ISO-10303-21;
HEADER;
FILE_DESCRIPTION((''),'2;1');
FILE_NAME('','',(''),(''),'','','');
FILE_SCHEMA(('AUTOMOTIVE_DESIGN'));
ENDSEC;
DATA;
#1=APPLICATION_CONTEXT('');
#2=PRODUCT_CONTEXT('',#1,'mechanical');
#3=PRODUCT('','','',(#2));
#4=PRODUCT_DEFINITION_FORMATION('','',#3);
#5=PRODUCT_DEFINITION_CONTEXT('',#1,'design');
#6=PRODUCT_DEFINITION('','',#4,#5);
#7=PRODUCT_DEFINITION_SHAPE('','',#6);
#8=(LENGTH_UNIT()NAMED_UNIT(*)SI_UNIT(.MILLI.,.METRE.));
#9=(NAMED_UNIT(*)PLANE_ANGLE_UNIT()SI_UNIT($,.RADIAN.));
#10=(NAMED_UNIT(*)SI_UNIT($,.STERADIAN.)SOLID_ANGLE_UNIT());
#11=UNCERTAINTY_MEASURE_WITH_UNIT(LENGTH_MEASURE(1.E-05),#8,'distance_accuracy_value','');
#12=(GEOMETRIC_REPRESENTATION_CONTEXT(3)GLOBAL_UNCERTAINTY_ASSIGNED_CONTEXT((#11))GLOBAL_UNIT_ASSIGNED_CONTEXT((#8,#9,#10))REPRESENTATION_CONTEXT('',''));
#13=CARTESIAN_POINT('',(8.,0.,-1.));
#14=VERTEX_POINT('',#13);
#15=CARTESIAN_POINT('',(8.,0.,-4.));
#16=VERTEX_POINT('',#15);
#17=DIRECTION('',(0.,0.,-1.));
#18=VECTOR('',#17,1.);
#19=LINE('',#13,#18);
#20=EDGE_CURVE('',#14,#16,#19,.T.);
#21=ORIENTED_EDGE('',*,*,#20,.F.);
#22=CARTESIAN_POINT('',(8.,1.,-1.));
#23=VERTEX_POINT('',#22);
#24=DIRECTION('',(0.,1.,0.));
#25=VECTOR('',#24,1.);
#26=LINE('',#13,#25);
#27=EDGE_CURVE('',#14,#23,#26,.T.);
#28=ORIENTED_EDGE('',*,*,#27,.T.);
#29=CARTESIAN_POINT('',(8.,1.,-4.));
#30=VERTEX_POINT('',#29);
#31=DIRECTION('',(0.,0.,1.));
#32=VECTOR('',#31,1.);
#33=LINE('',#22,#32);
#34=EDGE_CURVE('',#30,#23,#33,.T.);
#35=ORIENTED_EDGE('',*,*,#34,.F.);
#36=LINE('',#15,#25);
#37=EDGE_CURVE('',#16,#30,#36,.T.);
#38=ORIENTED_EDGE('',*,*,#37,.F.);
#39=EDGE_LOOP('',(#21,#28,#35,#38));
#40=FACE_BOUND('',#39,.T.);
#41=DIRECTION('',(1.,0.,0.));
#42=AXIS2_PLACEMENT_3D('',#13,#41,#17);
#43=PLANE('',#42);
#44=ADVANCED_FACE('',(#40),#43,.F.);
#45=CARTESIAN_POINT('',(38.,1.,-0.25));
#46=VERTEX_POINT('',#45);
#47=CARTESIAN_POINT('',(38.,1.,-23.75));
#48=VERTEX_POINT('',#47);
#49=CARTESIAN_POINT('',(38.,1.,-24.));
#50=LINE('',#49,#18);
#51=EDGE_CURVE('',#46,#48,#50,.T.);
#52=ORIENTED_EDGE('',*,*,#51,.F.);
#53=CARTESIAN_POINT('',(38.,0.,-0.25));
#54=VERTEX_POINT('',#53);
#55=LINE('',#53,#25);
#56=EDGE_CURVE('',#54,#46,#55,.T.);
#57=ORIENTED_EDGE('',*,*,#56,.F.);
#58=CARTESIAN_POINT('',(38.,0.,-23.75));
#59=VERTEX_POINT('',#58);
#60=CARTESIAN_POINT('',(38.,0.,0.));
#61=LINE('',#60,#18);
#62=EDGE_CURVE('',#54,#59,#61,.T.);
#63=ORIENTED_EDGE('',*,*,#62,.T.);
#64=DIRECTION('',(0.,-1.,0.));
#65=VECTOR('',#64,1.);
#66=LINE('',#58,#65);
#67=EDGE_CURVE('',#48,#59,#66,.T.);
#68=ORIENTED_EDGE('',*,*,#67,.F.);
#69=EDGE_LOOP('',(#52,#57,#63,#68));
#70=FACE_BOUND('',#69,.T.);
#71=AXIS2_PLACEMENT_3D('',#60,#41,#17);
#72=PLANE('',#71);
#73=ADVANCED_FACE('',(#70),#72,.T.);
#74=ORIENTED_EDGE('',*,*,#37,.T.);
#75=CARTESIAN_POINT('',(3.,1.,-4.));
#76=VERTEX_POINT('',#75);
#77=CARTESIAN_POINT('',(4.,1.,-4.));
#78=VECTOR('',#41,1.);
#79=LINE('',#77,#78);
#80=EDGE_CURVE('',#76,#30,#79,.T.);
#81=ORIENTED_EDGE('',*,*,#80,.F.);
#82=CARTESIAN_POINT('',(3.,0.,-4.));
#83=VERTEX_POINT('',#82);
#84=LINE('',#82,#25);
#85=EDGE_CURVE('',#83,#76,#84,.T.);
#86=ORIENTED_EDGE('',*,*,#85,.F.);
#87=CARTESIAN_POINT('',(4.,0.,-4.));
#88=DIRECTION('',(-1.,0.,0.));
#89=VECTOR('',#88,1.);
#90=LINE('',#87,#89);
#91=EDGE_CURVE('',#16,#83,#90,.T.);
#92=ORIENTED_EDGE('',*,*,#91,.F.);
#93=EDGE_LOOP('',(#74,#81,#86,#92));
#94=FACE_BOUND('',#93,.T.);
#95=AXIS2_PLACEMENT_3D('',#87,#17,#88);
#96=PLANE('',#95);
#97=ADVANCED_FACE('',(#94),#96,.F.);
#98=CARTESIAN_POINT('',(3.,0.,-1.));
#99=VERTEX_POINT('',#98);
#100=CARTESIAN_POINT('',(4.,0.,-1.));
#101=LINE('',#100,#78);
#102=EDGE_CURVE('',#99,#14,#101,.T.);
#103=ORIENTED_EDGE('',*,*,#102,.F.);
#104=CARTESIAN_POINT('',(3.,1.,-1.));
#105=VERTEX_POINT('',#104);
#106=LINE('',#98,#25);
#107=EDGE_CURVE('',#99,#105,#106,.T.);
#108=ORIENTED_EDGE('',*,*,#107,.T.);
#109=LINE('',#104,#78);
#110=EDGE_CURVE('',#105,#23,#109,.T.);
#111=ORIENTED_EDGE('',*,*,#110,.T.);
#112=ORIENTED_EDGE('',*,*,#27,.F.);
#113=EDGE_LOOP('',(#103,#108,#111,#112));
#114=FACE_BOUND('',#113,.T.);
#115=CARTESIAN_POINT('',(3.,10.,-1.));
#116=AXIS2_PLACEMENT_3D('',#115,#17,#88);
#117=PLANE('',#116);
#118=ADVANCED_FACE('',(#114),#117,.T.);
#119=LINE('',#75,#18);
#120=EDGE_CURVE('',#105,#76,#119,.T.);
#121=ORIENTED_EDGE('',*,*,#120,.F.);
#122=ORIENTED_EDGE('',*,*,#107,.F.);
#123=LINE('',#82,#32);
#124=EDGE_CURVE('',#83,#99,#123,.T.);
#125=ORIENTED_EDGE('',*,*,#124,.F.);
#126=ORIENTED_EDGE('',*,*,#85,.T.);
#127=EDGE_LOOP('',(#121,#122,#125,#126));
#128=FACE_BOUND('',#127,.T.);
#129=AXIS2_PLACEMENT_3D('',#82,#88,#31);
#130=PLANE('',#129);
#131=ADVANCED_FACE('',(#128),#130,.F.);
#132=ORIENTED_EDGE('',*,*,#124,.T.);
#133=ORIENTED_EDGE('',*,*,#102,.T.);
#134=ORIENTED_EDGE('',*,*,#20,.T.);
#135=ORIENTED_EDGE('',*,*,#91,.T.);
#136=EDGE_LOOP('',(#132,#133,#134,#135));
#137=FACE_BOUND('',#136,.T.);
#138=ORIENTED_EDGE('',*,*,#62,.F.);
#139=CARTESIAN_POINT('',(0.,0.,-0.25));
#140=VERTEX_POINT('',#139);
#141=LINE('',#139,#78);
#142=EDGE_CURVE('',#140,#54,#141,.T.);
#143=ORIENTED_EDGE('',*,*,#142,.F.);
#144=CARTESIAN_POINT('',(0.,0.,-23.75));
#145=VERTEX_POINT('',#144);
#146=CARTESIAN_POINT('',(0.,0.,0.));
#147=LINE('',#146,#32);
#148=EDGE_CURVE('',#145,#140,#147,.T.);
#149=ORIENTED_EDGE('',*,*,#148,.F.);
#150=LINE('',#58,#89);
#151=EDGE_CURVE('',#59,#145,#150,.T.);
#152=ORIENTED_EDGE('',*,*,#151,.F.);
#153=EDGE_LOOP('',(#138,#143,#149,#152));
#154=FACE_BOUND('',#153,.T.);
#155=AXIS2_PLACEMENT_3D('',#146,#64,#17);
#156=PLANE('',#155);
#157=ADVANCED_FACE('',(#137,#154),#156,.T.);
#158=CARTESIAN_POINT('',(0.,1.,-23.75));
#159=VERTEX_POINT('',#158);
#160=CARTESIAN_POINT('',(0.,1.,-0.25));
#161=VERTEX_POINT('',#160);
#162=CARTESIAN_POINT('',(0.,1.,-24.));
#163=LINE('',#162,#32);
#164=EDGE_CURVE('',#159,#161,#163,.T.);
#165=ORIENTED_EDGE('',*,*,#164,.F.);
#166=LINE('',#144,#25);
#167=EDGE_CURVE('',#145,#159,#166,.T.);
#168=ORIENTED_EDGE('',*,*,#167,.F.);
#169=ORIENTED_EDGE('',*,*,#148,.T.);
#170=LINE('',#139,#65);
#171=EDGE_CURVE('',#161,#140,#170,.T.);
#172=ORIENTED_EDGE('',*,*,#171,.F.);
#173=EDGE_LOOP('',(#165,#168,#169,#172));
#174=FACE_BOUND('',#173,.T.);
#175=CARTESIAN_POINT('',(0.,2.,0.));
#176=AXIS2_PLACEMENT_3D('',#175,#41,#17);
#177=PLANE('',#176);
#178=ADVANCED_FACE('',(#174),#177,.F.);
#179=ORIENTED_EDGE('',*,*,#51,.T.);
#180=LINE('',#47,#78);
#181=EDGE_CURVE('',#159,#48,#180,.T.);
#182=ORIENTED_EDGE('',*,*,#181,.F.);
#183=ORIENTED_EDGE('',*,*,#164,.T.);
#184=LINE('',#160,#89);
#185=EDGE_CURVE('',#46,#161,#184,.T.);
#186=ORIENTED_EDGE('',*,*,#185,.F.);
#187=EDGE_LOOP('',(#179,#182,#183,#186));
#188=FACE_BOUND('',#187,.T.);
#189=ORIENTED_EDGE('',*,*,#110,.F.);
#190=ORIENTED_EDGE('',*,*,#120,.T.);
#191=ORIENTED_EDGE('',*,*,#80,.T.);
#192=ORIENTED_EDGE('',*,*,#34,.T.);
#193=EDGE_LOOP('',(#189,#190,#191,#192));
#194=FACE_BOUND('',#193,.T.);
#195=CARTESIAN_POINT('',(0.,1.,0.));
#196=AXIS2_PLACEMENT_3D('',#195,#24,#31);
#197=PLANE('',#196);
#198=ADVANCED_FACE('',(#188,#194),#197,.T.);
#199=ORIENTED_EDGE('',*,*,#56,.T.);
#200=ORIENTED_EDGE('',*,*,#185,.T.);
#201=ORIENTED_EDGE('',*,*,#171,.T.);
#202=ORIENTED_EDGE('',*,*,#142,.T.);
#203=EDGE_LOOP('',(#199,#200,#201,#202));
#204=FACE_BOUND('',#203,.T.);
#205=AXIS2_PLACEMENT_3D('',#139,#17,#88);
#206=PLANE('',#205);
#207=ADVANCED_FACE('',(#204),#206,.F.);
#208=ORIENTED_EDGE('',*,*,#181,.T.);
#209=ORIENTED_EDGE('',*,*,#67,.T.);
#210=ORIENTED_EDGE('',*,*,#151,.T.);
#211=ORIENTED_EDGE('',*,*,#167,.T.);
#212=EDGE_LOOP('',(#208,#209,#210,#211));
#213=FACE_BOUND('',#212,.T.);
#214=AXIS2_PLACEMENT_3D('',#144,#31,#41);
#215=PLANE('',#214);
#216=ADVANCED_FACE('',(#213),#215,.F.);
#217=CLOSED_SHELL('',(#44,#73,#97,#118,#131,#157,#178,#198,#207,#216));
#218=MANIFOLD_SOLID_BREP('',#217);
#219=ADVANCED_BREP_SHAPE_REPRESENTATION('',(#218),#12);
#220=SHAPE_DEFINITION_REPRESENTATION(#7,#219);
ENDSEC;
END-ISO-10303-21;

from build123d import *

# Parameters (mm, degrees)
SKETCH1_W           = 40
SKETCH1_H           = 24
BOSS_EXTRUDE1_DEPTH = 2
SKETCH2_W           = 40
SKETCH2_H           = 24
SKETCH2_W_2         = 36
SKETCH2_H_2         = 22
BOSS_EXTRUDE3_DEPTH = 8
SKETCH5_W           = 4
SKETCH5_H           = 3
CUT_EXTRUDE1_DEPTH  = 2
SKETCH6_W           = 24
SKETCH6_H           = 10
CUT_EXTRUDE2_DEPTH  = 2
SKETCH7_W           = 22
SKETCH7_H           = 8
CUT_EXTRUDE3_DEPTH  = 2
SKETCH8_W           = 1
SKETCH8_H           = 3
CUT_EXTRUDE4_DEPTH  = 2
SKETCH9_W           = 38
SKETCH9_H           = 24
CUT_EXTRUDE5_DEPTH  = 9
SKETCH10_W          = 38
SKETCH10_H          = 1
CUT_EXTRUDE6_DEPTH  = 0.25
SKETCH11_W          = 38
SKETCH11_H          = 1
CUT_EXTRUDE7_DEPTH  = 0.25


with BuildPart() as part:
    # Sketch1 → Boss-Extrude1 (new body)
    with BuildSketch(Plane(origin=(0, 0, 0), x_dir=(1, 0, 0), z_dir=(0, 1, 0))):
        with Locations((20, 12)):
            Rectangle(SKETCH1_W, SKETCH1_H)
    extrude(amount=BOSS_EXTRUDE1_DEPTH)

    # Sketch2 → Boss-Extrude3 (add)
    with BuildSketch(Plane(origin=(0, 2, 0), x_dir=(1, 0, 0), z_dir=(0, 1, 0))):
        with Locations((20, 12)):
            Rectangle(SKETCH2_W, SKETCH2_H)
        with Locations((21, 12)):
            Rectangle(SKETCH2_W_2, SKETCH2_H_2, mode=Mode.SUBTRACT)
    extrude(amount=BOSS_EXTRUDE3_DEPTH)

    # Sketch5 → Cut-Extrude1 (cut)
    with BuildSketch(Plane(origin=(0, 2, 0), x_dir=(1, 0, 0), z_dir=(0, 1, 0))):
        with Locations((6, 2.5)):
            Rectangle(SKETCH5_W, SKETCH5_H)
    extrude(amount=-CUT_EXTRUDE1_DEPTH, mode=Mode.SUBTRACT)

    # Sketch6 → Cut-Extrude2 (cut)
    with BuildSketch(Plane(origin=(40, 0, 0), x_dir=(0, 0, -1), z_dir=(1, 0, 0))):
        with Locations((12, 5)):
            Rectangle(SKETCH6_W, SKETCH6_H)
    extrude(amount=-CUT_EXTRUDE2_DEPTH, mode=Mode.SUBTRACT)

    # Sketch7 → Cut-Extrude3 (cut)
    with BuildSketch(Plane(origin=(3, 0, 0), x_dir=(0, 0, -1), z_dir=(1, 0, 0))):
        with Locations((12, 6)):
            Rectangle(SKETCH7_W, SKETCH7_H)
    extrude(amount=-CUT_EXTRUDE3_DEPTH, mode=Mode.SUBTRACT)

    # Sketch8 → Cut-Extrude4 (cut)
    with BuildSketch(Plane(origin=(0, 2, 0), x_dir=(1, 0, 0), z_dir=(0, 1, 0))):
        with Locations((3.5, 2.5)):
            Rectangle(SKETCH8_W, SKETCH8_H)
    extrude(amount=-CUT_EXTRUDE4_DEPTH, mode=Mode.SUBTRACT)

    # Sketch9 → Cut-Extrude5 (cut)
    with BuildSketch(Plane(origin=(0, 10, 0), x_dir=(1, 0, 0), z_dir=(0, 1, 0))):
        with Locations((19, 12)):
            Rectangle(SKETCH9_W, SKETCH9_H)
    extrude(amount=-CUT_EXTRUDE5_DEPTH, mode=Mode.SUBTRACT)

    # Sketch10 → Cut-Extrude6 (cut)
    with BuildSketch(Plane.XY):
        with Locations((19, 0.5)):
            Rectangle(SKETCH10_W, SKETCH10_H)
    extrude(amount=-CUT_EXTRUDE6_DEPTH, mode=Mode.SUBTRACT)

    # Sketch11 → Cut-Extrude7 (cut)
    with BuildSketch(Plane(origin=(0, 0, -24), x_dir=(-1, 0, 0), z_dir=(0, 0, -1))):
        with Locations((-19, 0.5)):
            Rectangle(SKETCH11_W, SKETCH11_H)
    extrude(amount=-CUT_EXTRUDE7_DEPTH, mode=Mode.SUBTRACT)


solid = part.part
